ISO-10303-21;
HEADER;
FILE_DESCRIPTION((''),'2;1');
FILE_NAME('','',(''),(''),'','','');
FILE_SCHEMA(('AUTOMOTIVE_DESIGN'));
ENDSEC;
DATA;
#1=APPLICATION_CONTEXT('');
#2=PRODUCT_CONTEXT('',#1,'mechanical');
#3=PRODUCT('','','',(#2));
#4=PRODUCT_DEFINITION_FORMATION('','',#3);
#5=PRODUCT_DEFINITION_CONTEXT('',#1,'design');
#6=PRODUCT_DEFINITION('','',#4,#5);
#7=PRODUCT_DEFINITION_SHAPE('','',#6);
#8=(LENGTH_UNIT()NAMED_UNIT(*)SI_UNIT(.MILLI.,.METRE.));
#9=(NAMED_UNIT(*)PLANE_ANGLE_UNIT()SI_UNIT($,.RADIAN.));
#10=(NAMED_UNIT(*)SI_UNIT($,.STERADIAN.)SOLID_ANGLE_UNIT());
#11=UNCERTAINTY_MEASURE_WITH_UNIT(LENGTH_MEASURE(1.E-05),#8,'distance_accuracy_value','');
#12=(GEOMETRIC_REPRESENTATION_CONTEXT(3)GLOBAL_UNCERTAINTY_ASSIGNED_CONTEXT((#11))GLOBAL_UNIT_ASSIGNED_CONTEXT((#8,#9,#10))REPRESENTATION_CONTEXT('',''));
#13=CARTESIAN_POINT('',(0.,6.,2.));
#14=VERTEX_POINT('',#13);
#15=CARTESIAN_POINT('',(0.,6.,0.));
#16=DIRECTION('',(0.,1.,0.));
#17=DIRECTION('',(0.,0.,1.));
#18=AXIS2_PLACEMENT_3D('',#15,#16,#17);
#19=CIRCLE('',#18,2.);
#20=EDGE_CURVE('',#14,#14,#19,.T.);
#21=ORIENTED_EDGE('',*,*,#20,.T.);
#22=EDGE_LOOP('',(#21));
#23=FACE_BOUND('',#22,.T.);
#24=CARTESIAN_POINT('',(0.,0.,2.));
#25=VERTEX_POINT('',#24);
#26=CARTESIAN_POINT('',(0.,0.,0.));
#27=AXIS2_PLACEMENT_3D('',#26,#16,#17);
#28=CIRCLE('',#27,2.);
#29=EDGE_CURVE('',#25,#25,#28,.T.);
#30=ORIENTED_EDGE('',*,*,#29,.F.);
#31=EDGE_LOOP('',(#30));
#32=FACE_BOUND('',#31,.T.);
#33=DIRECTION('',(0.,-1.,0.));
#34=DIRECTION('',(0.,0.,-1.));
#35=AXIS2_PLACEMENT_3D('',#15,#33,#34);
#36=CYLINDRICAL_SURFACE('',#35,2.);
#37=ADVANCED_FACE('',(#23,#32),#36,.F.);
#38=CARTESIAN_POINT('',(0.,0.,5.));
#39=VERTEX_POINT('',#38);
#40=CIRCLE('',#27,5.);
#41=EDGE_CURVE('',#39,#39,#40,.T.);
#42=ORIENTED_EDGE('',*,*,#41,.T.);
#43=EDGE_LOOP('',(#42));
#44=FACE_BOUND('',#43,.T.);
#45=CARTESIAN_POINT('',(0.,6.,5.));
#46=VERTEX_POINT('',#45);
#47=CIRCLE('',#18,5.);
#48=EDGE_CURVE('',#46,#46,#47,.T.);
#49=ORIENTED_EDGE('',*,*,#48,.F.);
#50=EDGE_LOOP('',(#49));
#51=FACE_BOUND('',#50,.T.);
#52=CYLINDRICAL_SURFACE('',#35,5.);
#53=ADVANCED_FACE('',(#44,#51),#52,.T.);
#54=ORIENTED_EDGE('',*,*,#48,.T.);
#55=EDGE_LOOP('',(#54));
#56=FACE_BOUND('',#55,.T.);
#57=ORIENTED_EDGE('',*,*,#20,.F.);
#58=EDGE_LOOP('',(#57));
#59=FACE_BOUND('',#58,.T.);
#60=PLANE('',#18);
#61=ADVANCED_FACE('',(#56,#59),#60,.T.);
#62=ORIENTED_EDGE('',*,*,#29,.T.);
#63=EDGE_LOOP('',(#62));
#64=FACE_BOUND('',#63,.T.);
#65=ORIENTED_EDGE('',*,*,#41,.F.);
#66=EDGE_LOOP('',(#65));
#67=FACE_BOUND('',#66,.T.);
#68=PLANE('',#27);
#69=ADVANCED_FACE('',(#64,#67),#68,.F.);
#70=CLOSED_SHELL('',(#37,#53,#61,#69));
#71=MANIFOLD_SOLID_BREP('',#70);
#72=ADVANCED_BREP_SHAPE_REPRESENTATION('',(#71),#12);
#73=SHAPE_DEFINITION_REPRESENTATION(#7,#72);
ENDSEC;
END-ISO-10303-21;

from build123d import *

# Parameters (mm, degrees)
SKETCH1_R           = 5
SKETCH1_R_2         = 2
BOSS_EXTRUDE1_DEPTH = 6


with BuildPart() as part:
    # Sketch1 → Boss-Extrude1 (new body)
    with BuildSketch(Plane(origin=(0, 0, 0), x_dir=(1, 0, 0), z_dir=(0, 1, 0))):
        Circle(SKETCH1_R)
        Circle(SKETCH1_R_2, mode=Mode.SUBTRACT)
    extrude(amount=BOSS_EXTRUDE1_DEPTH)


solid = part.part
